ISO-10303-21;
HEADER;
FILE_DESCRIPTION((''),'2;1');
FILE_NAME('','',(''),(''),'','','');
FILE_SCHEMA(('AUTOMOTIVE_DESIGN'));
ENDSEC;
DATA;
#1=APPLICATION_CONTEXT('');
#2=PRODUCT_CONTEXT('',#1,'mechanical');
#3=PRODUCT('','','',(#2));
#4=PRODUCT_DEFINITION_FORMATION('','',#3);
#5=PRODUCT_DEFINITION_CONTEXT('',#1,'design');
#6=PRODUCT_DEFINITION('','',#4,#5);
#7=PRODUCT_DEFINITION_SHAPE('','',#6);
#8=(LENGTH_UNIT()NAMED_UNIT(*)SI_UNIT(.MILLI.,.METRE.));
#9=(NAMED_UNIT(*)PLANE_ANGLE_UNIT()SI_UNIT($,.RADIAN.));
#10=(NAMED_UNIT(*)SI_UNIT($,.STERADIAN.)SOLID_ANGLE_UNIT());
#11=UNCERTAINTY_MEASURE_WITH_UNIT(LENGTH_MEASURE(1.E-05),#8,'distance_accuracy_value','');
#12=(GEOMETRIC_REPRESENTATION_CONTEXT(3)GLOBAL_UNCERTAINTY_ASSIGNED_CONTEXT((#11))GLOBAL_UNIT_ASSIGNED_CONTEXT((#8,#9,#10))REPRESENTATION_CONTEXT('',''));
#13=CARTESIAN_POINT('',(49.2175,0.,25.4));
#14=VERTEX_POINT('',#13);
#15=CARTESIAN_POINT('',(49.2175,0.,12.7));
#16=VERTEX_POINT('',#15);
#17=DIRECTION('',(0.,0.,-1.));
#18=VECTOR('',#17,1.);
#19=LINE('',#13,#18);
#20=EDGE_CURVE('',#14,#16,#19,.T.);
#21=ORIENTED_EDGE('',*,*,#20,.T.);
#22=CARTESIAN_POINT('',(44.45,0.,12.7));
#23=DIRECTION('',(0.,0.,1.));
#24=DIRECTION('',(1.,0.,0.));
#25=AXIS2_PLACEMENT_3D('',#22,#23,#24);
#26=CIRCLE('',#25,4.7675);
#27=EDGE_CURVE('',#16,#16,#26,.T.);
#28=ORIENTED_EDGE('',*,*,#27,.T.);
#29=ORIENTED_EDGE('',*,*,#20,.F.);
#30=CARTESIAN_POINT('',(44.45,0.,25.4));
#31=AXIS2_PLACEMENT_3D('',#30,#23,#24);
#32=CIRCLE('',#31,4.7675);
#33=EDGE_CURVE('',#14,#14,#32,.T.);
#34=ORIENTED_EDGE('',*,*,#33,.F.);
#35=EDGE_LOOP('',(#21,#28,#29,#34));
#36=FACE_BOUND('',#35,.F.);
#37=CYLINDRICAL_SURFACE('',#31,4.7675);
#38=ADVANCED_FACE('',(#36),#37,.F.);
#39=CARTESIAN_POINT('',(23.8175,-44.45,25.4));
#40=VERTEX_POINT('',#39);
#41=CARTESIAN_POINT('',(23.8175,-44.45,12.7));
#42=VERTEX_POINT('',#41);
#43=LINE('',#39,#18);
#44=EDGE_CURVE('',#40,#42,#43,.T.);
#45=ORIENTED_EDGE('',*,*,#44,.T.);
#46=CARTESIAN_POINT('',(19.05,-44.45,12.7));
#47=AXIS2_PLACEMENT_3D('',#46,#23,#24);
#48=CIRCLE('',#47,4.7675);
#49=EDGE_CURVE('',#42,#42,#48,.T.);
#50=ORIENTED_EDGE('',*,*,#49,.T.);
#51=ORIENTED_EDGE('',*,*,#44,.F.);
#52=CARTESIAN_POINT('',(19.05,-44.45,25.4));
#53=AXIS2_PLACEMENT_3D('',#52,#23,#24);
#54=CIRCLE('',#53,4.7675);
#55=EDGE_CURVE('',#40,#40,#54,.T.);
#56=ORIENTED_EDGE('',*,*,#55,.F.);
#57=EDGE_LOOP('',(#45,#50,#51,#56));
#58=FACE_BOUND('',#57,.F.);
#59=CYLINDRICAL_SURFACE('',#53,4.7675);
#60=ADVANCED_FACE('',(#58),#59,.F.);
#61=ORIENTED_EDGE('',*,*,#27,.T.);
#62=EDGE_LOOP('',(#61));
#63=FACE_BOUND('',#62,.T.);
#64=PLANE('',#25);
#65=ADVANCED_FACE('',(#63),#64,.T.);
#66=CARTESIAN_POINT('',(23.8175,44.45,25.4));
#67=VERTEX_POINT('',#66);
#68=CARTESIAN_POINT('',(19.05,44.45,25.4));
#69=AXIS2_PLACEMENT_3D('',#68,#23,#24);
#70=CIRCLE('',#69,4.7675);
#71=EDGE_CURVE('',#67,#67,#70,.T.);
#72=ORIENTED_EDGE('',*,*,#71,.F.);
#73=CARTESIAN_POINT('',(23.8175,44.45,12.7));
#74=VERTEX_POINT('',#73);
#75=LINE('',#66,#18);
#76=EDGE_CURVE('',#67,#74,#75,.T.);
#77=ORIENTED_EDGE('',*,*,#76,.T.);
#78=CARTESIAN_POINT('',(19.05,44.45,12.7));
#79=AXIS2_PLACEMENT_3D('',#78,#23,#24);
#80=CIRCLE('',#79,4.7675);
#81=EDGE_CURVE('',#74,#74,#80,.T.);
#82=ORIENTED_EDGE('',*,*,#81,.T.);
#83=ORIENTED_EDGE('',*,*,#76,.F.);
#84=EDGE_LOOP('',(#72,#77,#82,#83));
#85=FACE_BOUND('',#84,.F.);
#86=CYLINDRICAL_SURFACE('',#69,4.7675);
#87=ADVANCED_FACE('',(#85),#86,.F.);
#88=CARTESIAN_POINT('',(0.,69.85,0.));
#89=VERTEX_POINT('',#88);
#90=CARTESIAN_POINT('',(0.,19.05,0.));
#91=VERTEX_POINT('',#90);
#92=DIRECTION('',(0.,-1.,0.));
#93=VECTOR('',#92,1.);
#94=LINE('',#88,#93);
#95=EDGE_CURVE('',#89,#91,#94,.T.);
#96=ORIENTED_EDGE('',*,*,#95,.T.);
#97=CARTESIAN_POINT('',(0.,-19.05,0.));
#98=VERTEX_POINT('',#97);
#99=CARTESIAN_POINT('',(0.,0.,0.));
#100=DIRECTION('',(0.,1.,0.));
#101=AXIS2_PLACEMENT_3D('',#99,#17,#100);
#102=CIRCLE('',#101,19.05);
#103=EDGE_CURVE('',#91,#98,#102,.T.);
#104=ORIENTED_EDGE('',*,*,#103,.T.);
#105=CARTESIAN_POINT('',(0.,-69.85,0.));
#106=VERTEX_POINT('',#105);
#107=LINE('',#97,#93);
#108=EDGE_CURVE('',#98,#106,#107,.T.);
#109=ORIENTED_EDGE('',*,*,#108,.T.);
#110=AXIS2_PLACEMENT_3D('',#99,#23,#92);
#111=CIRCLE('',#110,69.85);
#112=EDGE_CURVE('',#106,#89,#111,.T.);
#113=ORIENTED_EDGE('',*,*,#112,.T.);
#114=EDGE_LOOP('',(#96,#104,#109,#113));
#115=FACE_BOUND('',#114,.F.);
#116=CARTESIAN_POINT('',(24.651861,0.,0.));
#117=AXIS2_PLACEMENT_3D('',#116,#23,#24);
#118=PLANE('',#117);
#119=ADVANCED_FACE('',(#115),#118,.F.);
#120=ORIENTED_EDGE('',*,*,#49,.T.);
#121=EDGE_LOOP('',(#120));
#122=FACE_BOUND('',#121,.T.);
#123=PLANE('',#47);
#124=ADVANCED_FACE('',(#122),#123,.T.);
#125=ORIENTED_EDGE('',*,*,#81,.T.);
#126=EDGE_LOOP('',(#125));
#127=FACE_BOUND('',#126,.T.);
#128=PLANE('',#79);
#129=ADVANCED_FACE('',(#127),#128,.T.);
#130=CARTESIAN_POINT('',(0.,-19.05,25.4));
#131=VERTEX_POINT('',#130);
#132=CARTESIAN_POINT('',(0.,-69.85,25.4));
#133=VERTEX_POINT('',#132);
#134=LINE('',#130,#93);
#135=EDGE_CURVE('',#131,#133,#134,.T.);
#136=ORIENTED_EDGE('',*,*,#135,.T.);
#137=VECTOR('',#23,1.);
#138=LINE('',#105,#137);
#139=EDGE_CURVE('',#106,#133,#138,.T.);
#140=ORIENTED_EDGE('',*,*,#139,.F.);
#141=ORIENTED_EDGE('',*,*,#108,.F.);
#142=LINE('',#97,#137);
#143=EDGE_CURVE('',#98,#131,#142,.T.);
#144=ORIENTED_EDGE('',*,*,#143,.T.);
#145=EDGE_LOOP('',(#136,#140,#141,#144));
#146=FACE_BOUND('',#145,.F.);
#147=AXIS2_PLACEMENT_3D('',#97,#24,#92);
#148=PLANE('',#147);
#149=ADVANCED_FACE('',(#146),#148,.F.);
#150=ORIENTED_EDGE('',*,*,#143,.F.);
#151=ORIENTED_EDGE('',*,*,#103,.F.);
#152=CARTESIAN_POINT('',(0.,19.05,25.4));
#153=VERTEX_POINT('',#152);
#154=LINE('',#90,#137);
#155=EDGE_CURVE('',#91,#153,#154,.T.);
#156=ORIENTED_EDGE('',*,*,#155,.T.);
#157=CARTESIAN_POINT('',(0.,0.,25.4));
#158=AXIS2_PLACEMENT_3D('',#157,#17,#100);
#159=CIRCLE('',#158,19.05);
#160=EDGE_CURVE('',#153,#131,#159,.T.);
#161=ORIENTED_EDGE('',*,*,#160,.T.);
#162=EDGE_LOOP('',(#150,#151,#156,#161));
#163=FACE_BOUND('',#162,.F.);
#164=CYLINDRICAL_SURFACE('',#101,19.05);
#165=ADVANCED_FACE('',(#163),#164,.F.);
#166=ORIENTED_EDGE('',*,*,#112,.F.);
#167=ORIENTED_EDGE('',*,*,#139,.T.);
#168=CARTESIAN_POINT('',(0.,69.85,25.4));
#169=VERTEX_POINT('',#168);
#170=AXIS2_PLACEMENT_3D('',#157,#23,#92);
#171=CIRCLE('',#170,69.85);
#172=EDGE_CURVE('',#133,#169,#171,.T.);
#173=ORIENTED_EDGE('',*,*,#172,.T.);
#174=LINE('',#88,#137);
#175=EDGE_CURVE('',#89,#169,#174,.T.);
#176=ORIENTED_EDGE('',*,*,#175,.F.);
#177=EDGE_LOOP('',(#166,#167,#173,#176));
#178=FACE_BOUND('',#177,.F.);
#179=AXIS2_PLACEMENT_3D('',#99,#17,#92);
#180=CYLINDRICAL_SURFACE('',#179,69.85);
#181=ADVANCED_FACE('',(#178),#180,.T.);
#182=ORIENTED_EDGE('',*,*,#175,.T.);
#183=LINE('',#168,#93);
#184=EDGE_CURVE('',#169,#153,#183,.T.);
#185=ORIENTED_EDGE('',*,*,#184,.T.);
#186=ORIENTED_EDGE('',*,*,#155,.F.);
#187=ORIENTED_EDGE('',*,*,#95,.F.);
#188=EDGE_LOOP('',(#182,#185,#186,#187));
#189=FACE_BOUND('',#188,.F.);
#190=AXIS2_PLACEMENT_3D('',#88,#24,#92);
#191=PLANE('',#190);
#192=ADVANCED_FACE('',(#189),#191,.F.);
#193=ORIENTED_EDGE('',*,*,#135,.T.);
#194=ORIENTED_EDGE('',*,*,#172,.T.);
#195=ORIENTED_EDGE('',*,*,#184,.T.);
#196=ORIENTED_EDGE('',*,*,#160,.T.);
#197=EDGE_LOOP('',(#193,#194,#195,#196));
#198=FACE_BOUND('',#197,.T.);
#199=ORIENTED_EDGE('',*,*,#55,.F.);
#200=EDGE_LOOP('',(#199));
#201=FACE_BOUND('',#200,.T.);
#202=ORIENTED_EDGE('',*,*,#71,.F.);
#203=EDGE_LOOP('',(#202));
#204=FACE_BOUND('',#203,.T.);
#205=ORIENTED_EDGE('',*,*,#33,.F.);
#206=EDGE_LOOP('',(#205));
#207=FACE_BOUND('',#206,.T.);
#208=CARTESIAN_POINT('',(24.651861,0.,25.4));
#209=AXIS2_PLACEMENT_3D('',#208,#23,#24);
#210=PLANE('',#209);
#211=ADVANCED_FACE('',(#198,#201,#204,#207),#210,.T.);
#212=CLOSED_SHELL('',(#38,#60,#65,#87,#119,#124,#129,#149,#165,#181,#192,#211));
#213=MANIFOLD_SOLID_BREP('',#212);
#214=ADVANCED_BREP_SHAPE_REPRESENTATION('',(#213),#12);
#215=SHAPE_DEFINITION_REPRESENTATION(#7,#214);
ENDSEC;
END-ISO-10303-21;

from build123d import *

# Parameters (mm, degrees)
F1_DEPTH = 25.4
F2_R     = 4.7675
F3_DEPTH = 12.7


with BuildPart() as f1:
    # F0 (on Top) → F1 (new body)
    with BuildSketch(Plane.XY):
        with BuildLine():
            Line((0, -19.05), (0, -69.85))
            ThreePointArc((0, -69.85), (69.85, 0), (0, 69.85))
            Line((0, 69.85), (0, 19.05))
            ThreePointArc((0, 19.05), (19.05, 0), (0, -19.05))
        make_face()
    extrude(amount=F1_DEPTH)

    # F2 (on face) → F3 (cut)
    with BuildSketch(Plane.XY.offset(25.4)):
        with Locations((19.05, 44.45)):
            Circle(F2_R)
        with Locations((19.05, -44.45)):
            Circle(F2_R)
        with Locations((44.45, 0)):
            Circle(F2_R)
    extrude(amount=-F3_DEPTH, mode=Mode.SUBTRACT)


solid = f1.part
